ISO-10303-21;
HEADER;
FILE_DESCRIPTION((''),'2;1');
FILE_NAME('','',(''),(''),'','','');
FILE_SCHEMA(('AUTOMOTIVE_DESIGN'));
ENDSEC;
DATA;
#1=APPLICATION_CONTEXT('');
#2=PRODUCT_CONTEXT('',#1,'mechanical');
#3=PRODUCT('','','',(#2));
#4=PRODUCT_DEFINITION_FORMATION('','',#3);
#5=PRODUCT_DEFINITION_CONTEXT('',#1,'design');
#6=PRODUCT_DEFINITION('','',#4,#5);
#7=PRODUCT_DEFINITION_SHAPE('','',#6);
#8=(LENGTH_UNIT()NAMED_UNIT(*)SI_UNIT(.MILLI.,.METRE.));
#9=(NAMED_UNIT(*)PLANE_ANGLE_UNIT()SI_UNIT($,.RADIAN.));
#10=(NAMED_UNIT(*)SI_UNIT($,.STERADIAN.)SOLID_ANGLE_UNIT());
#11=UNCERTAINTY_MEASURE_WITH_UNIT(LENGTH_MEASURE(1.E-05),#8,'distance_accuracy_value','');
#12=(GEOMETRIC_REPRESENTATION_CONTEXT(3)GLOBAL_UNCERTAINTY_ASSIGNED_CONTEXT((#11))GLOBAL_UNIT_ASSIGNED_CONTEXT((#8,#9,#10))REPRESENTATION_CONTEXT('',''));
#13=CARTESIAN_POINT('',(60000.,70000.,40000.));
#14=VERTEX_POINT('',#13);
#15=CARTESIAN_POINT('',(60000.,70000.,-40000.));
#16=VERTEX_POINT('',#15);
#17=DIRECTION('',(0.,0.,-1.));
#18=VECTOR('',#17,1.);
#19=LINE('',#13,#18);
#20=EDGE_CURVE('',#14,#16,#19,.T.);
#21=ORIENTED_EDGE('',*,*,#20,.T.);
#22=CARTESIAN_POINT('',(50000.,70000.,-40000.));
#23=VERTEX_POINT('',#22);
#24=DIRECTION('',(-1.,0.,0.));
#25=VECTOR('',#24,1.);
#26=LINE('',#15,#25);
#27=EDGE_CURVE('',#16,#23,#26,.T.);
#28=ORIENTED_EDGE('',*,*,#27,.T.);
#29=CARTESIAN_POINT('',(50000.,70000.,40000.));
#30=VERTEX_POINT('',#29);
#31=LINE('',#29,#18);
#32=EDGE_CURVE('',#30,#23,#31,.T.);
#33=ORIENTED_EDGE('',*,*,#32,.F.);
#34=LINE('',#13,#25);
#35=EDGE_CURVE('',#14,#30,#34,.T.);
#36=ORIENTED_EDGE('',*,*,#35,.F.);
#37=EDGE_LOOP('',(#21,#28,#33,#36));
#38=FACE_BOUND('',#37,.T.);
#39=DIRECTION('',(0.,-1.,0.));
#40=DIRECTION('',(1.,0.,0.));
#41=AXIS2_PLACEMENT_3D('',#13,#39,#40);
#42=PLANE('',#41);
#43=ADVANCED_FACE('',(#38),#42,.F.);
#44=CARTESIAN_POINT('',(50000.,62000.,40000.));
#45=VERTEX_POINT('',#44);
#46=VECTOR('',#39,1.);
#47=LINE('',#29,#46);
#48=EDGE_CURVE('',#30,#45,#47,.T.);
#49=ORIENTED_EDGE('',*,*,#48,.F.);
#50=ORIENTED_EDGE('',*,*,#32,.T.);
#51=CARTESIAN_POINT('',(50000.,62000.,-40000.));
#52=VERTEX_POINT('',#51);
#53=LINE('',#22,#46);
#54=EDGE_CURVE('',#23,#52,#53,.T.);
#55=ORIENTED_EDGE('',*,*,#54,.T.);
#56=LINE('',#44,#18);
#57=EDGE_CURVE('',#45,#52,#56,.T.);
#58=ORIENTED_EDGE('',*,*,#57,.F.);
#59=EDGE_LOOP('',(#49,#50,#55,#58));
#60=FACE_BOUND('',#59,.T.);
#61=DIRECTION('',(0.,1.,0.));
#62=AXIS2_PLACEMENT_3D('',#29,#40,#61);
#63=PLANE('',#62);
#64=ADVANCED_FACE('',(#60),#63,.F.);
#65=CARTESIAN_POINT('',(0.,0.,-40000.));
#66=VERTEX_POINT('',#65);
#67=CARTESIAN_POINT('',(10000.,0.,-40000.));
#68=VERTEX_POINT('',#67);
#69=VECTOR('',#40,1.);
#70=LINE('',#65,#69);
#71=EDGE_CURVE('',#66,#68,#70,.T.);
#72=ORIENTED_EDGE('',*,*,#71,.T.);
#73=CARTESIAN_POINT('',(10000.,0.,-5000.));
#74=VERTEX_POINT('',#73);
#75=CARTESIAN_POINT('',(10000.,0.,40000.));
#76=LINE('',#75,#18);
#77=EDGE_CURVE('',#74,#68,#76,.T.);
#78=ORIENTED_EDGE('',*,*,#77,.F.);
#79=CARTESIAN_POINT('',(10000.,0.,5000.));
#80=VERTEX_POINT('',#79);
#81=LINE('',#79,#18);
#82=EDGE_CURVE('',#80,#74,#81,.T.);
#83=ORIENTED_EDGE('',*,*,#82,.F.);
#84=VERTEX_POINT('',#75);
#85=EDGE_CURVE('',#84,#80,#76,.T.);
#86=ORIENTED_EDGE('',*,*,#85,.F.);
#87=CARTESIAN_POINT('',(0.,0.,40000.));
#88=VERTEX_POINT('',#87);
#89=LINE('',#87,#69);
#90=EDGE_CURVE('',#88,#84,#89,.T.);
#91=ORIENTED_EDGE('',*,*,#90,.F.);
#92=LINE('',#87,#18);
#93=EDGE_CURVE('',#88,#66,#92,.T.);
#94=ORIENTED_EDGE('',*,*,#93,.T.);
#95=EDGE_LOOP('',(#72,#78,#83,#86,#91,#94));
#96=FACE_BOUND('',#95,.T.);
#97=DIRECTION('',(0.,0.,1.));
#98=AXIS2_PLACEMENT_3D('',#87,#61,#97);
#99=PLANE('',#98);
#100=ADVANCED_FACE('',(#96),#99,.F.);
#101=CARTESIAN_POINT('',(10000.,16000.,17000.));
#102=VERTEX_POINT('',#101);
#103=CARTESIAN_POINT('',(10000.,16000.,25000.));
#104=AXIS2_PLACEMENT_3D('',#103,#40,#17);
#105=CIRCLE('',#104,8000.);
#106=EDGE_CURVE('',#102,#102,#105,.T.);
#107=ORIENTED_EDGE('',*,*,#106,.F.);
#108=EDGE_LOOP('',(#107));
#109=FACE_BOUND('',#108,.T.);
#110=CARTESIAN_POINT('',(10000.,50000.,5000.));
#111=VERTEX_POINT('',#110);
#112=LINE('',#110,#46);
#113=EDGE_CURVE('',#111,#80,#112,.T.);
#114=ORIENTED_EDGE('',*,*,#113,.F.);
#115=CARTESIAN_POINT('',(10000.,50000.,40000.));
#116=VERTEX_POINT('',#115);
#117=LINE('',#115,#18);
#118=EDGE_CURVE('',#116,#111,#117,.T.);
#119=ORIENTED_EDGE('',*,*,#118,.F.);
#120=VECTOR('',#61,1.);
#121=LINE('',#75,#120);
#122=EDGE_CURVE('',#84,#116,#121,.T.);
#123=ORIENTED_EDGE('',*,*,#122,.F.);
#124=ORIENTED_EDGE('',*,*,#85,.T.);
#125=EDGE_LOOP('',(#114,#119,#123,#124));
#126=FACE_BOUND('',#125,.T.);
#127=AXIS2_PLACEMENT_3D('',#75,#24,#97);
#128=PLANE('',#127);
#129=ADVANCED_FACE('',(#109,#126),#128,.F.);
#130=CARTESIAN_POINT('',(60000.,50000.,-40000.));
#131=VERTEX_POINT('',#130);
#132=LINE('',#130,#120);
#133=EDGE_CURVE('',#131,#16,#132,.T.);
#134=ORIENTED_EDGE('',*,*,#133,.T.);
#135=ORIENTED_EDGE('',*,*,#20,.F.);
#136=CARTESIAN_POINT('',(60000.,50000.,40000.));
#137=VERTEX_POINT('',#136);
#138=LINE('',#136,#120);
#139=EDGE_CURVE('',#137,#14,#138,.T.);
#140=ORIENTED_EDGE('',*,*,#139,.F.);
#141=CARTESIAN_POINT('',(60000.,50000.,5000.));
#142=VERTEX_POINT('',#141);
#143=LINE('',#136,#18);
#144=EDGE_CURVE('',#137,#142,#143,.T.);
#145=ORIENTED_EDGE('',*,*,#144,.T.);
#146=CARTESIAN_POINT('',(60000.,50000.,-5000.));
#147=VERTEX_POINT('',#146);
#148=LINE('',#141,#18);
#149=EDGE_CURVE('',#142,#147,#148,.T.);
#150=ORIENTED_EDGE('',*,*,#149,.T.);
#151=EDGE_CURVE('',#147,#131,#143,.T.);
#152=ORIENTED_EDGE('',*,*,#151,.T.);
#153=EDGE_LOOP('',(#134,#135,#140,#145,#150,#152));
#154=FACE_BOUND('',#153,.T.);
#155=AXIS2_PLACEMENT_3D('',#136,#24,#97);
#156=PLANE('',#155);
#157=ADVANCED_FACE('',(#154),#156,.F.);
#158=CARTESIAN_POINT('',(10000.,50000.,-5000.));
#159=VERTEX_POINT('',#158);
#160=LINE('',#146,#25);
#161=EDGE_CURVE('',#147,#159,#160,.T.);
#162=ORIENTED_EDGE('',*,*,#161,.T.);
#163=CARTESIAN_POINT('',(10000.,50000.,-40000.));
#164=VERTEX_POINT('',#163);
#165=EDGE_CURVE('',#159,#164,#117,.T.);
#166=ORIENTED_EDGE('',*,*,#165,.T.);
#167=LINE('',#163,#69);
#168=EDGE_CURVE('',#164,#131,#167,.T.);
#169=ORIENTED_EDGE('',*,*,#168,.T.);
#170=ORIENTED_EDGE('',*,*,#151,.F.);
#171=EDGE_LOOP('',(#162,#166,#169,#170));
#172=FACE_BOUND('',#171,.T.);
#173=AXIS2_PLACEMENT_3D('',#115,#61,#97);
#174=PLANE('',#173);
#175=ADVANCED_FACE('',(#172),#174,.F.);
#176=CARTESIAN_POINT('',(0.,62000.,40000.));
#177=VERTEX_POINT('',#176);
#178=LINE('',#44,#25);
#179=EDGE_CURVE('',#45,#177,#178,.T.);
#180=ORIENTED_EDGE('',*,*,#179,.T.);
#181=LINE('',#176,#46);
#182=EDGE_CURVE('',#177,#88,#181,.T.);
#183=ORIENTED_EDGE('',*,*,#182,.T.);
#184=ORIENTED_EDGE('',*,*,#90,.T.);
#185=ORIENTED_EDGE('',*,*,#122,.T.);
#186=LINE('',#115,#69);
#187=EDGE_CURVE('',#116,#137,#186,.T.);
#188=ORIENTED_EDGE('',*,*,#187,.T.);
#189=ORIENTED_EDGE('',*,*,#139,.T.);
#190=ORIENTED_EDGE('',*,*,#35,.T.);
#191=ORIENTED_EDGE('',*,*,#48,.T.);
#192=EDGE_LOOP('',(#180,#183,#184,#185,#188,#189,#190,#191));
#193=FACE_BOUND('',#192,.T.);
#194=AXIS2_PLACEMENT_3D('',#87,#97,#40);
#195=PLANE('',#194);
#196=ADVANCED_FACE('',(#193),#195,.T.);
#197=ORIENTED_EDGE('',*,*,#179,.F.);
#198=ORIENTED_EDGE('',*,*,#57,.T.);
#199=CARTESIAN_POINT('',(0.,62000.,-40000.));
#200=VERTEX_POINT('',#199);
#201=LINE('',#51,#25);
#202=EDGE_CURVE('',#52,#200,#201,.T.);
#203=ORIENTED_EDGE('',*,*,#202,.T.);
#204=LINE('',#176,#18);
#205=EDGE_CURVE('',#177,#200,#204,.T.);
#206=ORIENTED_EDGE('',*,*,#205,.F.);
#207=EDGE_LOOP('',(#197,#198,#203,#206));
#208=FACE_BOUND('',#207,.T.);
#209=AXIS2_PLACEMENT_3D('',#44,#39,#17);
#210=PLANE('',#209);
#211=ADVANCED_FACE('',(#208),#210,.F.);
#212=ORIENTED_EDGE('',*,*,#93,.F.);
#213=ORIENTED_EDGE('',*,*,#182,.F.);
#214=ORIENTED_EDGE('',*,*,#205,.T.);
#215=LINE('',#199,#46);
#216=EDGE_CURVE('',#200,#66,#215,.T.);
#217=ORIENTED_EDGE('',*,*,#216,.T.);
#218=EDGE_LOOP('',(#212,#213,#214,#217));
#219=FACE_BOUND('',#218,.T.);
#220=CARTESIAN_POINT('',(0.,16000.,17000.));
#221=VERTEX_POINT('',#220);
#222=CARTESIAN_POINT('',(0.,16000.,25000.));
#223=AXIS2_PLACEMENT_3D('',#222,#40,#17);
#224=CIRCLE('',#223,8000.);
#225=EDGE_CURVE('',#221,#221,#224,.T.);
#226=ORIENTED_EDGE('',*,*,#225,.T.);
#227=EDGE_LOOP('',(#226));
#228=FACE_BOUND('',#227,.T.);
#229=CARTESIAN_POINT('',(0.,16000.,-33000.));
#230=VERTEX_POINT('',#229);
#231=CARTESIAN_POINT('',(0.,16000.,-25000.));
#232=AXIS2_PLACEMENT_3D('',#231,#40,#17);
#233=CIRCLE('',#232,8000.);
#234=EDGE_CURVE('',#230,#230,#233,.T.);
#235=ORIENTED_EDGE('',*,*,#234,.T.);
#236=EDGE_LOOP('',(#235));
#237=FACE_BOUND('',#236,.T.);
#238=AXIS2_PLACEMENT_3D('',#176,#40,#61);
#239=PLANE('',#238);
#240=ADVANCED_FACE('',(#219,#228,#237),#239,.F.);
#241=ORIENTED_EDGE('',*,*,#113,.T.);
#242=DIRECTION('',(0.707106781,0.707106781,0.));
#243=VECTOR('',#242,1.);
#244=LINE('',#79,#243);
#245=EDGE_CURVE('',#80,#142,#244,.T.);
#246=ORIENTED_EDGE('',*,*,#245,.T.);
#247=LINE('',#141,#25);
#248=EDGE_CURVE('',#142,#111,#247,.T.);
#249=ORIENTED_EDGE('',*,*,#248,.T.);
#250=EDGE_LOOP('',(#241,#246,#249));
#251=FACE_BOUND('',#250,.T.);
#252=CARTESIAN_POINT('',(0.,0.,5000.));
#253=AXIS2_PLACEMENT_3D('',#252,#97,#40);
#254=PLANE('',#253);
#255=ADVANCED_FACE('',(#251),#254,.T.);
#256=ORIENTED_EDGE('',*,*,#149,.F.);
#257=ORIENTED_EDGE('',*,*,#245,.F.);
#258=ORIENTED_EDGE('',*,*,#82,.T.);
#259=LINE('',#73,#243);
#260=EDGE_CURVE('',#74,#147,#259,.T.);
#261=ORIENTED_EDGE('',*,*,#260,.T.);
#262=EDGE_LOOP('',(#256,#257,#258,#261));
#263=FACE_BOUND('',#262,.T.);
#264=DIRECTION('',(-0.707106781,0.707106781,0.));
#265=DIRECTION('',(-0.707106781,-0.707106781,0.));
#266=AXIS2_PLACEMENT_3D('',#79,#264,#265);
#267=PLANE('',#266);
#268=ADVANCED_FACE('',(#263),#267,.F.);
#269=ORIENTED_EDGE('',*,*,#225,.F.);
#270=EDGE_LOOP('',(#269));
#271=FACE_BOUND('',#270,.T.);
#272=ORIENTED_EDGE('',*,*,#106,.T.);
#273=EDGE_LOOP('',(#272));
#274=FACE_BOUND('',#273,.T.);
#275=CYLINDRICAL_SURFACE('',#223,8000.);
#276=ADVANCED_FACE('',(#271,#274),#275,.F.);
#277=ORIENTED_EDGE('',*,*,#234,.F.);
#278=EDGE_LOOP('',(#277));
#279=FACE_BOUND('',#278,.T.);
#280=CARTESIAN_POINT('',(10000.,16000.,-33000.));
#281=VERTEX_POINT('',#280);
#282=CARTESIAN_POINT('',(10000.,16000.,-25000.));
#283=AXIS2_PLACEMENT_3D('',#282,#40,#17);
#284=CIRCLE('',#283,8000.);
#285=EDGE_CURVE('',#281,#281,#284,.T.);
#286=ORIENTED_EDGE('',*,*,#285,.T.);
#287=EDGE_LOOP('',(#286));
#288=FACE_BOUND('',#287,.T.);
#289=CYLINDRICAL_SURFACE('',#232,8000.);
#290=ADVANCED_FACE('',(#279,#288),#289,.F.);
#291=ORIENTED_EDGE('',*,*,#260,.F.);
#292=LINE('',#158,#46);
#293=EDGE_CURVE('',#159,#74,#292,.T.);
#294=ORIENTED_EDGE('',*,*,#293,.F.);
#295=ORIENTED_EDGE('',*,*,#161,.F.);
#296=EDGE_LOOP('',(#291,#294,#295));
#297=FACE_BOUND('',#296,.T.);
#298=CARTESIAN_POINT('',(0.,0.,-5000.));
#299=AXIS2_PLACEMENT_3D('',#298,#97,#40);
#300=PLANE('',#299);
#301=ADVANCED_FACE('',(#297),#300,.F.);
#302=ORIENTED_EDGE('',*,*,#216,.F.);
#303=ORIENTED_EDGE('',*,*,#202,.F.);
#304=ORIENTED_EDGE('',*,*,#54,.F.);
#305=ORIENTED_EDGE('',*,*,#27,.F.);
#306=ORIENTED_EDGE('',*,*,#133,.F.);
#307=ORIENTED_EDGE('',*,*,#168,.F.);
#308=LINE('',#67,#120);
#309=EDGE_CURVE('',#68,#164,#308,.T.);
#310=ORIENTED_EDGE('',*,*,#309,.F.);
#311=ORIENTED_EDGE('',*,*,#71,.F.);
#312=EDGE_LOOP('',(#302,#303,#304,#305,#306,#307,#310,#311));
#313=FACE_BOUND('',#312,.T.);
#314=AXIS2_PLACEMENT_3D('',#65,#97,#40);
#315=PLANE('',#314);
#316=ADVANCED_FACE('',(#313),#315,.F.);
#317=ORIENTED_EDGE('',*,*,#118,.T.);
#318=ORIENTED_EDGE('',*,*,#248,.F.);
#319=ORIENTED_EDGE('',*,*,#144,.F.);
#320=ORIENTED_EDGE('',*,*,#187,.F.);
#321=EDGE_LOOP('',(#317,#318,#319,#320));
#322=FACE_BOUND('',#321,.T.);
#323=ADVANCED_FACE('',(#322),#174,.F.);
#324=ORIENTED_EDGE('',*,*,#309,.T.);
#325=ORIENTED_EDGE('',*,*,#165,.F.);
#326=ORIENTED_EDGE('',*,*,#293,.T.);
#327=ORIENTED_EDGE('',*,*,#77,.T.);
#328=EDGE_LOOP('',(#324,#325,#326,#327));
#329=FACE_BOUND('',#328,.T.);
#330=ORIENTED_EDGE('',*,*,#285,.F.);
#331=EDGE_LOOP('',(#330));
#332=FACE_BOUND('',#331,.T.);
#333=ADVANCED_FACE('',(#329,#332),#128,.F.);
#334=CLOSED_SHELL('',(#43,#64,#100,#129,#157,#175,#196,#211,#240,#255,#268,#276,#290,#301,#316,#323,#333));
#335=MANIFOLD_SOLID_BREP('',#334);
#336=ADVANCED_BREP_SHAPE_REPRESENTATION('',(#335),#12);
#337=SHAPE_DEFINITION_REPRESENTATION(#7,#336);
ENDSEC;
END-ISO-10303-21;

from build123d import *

# Parameters (mm, degrees)
BOSS_EXTRUDE1_DEPTH = 40000
SKETCH2_R           = 8000
CUT_EXTRUDE1_DEPTH  = 94869.329805051
BOSS_EXTRUDE2_START = -45000
BOSS_EXTRUDE2_DEPTH = 10000


with BuildPart() as part:
    # Sketch1 → Boss-Extrude1 (new, symmetric)
    with BuildSketch(Plane.XY):
        Polygon((0, 0), (10000, 0), (10000, 50000), (60000, 50000), (60000, 70000), (50000, 70000), (50000, 62000), (0, 62000), align=None)
    extrude(amount=BOSS_EXTRUDE1_DEPTH, both=True)

    # Sketch2 → Cut-Extrude1 (cut, through all)
    with BuildSketch(Plane(origin=(10000, 0, 0), x_dir=(0, 0, -1), z_dir=(1, 0, 0))):
        with Locations((-25000, 16000)):
            Circle(SKETCH2_R)
        with Locations((25000, 16000)):
            Circle(SKETCH2_R)
    extrude(amount=-CUT_EXTRUDE1_DEPTH, mode=Mode.SUBTRACT)

    # Sketch3 → Boss-Extrude2 (add)
    with BuildSketch(Plane.XY.offset(40000).offset(BOSS_EXTRUDE2_START)):
        Polygon((60000, 50000), (10000, 50000), (10000, 0), align=None)
    extrude(amount=BOSS_EXTRUDE2_DEPTH)


solid = part.part
